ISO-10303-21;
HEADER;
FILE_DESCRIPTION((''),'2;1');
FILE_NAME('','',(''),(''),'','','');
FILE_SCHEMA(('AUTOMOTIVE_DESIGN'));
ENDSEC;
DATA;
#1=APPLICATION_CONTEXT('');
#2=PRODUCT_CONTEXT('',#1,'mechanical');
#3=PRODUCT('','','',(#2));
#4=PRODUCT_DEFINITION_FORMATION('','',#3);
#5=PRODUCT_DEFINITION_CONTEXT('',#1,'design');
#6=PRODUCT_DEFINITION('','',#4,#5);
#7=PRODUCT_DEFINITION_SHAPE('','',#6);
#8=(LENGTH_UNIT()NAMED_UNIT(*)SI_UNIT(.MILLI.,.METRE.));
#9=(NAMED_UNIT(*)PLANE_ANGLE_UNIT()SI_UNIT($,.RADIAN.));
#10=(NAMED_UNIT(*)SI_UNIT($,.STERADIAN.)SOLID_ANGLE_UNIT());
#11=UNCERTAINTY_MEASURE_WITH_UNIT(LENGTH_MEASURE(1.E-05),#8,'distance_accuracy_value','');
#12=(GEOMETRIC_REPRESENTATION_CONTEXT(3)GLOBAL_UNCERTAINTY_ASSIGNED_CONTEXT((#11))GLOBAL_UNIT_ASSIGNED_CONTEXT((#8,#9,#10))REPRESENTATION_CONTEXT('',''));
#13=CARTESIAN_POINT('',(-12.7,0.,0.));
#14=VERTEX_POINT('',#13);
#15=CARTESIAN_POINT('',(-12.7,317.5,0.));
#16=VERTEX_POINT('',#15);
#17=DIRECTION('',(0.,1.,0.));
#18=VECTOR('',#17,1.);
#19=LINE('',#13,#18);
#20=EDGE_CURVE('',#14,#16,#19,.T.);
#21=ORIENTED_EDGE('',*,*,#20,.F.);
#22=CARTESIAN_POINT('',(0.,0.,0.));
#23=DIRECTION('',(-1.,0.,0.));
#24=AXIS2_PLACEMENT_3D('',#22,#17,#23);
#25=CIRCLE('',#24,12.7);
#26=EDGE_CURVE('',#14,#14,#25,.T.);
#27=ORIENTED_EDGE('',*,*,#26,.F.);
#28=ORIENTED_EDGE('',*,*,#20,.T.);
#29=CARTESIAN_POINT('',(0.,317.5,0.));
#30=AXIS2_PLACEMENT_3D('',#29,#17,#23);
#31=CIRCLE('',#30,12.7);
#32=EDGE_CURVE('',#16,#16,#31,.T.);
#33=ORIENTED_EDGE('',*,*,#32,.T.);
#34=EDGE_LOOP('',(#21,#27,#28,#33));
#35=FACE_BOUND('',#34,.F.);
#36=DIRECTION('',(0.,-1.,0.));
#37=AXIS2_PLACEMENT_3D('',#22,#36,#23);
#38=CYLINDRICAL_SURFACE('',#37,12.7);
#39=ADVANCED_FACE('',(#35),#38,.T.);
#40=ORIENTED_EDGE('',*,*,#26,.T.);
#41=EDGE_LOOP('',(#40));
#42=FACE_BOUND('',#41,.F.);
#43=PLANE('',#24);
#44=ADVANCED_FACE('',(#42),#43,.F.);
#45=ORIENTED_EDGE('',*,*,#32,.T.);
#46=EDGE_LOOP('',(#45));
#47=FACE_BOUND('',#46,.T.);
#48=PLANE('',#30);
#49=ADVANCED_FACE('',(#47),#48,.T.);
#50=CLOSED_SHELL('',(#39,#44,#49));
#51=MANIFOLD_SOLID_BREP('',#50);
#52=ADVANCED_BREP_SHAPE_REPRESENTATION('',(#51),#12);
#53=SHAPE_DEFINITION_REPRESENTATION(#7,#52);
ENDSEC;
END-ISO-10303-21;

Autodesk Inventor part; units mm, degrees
ref_plane "YZ Plane" through (0, 0, 0) normal (1, 0, 0) x (0, 1, 0)
ref_plane "XZ Plane" through (0, 0, 0) normal (0, 1, 0) x (-1, 0, 0)
ref_plane "XY Plane" through (0, 0, 0) normal (0, 0, 1) x (1, 0, 0)
sketch "Sketch1" plane through (0, 0, 0) normal (0, 1, 0) x (-1, 0, 0)
  circle A0 centre (0, 0) radius 12.7
  dimension "d0" = 25.4
extrude "Extrusion1" add sketch "Sketch1" along normal blind 317.5
properties part number "Carousel Base"
